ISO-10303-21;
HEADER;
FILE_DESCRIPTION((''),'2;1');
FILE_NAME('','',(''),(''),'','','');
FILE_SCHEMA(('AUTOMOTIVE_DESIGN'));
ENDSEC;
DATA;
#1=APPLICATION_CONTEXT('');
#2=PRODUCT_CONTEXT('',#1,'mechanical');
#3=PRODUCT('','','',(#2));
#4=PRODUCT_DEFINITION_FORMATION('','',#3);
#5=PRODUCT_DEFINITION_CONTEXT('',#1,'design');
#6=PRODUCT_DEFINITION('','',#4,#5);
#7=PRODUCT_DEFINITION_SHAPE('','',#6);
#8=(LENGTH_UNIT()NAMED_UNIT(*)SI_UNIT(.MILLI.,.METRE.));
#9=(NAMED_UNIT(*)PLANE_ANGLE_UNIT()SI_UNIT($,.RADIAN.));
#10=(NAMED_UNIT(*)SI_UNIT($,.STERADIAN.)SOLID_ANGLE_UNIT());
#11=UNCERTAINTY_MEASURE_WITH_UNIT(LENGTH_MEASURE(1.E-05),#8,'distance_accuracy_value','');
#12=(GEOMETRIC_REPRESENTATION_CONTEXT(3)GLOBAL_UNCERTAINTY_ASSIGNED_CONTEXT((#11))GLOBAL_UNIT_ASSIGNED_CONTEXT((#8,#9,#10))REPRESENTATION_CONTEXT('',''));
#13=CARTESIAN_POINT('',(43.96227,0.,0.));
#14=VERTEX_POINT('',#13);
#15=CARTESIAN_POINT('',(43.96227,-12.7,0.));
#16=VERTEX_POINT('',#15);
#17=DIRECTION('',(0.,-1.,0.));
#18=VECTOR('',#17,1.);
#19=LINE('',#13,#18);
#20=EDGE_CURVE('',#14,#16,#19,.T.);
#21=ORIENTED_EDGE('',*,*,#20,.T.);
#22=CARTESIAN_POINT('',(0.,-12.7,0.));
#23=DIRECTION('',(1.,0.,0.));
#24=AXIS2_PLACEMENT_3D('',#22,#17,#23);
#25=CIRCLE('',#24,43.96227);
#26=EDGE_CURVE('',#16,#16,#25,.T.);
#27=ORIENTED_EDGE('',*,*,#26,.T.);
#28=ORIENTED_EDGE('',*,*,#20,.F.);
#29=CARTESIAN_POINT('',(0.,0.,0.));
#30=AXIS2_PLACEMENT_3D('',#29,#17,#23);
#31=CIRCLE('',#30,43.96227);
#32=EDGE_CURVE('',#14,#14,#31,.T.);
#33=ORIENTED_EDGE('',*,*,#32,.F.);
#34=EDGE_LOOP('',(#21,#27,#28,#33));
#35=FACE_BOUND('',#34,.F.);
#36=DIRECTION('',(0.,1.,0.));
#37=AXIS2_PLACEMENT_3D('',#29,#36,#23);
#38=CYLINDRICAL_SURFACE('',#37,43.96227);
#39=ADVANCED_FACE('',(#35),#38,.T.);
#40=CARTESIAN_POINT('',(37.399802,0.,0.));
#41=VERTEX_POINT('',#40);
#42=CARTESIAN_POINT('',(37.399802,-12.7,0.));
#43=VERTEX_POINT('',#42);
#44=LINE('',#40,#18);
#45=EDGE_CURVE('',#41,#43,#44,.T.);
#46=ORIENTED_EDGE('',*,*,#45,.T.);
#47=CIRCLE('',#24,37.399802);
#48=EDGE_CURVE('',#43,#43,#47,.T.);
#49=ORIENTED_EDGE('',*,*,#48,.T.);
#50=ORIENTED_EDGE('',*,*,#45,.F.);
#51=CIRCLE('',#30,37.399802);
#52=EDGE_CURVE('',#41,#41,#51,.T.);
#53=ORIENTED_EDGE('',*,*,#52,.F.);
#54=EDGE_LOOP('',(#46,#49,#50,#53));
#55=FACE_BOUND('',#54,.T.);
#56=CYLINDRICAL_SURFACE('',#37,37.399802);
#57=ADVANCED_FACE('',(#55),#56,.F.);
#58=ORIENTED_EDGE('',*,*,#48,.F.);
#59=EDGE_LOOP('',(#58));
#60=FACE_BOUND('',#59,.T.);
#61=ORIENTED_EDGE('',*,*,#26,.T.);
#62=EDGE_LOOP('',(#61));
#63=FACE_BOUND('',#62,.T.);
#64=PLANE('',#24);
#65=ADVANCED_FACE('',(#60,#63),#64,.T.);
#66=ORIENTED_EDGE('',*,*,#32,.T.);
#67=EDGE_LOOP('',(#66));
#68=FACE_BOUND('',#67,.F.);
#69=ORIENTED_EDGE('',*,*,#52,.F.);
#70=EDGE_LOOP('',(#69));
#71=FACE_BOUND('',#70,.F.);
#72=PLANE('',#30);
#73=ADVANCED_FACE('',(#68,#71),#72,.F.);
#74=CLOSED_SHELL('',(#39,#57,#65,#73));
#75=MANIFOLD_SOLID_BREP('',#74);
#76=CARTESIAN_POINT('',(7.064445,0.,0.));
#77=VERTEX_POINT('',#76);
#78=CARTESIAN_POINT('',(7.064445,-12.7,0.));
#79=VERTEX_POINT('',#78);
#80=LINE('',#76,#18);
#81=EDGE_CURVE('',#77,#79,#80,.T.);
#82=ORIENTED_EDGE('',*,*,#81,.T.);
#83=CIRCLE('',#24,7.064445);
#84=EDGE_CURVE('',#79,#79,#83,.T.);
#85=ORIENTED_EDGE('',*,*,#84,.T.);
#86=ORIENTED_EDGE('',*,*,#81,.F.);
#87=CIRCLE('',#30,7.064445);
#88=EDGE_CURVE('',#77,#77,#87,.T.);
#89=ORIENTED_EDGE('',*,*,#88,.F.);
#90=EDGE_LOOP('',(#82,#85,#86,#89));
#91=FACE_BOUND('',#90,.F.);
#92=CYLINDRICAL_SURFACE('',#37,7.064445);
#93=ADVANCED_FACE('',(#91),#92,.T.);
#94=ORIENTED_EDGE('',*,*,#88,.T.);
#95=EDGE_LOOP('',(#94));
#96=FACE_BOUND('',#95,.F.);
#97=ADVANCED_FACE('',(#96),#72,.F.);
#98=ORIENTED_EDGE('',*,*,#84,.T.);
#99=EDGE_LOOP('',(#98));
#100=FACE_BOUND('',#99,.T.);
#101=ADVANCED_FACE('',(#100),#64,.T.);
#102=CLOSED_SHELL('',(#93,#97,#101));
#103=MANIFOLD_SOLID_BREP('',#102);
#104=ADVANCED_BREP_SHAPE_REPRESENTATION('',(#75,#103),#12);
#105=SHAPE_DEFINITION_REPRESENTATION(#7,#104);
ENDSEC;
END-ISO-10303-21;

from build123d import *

# Parameters (mm, degrees)
F0_R     = 43.96227
F0_R_2   = 37.399802
F1_DEPTH = 12.7
F2_R     = 7.064445
F3_DEPTH = 12.7


with BuildPart() as f1:
    # F0 (on Front) → F1 (new body)
    with BuildSketch(Plane.XZ):
        Circle(F0_R)
        Circle(F0_R_2, mode=Mode.SUBTRACT)
    extrude(amount=F1_DEPTH)


with BuildPart() as f3:
    # F2 (on Front) → F3 (new body)
    with BuildSketch(Plane.XZ):
        Circle(F2_R)
    extrude(amount=F3_DEPTH)


solid = Compound([f1.part, f3.part])
